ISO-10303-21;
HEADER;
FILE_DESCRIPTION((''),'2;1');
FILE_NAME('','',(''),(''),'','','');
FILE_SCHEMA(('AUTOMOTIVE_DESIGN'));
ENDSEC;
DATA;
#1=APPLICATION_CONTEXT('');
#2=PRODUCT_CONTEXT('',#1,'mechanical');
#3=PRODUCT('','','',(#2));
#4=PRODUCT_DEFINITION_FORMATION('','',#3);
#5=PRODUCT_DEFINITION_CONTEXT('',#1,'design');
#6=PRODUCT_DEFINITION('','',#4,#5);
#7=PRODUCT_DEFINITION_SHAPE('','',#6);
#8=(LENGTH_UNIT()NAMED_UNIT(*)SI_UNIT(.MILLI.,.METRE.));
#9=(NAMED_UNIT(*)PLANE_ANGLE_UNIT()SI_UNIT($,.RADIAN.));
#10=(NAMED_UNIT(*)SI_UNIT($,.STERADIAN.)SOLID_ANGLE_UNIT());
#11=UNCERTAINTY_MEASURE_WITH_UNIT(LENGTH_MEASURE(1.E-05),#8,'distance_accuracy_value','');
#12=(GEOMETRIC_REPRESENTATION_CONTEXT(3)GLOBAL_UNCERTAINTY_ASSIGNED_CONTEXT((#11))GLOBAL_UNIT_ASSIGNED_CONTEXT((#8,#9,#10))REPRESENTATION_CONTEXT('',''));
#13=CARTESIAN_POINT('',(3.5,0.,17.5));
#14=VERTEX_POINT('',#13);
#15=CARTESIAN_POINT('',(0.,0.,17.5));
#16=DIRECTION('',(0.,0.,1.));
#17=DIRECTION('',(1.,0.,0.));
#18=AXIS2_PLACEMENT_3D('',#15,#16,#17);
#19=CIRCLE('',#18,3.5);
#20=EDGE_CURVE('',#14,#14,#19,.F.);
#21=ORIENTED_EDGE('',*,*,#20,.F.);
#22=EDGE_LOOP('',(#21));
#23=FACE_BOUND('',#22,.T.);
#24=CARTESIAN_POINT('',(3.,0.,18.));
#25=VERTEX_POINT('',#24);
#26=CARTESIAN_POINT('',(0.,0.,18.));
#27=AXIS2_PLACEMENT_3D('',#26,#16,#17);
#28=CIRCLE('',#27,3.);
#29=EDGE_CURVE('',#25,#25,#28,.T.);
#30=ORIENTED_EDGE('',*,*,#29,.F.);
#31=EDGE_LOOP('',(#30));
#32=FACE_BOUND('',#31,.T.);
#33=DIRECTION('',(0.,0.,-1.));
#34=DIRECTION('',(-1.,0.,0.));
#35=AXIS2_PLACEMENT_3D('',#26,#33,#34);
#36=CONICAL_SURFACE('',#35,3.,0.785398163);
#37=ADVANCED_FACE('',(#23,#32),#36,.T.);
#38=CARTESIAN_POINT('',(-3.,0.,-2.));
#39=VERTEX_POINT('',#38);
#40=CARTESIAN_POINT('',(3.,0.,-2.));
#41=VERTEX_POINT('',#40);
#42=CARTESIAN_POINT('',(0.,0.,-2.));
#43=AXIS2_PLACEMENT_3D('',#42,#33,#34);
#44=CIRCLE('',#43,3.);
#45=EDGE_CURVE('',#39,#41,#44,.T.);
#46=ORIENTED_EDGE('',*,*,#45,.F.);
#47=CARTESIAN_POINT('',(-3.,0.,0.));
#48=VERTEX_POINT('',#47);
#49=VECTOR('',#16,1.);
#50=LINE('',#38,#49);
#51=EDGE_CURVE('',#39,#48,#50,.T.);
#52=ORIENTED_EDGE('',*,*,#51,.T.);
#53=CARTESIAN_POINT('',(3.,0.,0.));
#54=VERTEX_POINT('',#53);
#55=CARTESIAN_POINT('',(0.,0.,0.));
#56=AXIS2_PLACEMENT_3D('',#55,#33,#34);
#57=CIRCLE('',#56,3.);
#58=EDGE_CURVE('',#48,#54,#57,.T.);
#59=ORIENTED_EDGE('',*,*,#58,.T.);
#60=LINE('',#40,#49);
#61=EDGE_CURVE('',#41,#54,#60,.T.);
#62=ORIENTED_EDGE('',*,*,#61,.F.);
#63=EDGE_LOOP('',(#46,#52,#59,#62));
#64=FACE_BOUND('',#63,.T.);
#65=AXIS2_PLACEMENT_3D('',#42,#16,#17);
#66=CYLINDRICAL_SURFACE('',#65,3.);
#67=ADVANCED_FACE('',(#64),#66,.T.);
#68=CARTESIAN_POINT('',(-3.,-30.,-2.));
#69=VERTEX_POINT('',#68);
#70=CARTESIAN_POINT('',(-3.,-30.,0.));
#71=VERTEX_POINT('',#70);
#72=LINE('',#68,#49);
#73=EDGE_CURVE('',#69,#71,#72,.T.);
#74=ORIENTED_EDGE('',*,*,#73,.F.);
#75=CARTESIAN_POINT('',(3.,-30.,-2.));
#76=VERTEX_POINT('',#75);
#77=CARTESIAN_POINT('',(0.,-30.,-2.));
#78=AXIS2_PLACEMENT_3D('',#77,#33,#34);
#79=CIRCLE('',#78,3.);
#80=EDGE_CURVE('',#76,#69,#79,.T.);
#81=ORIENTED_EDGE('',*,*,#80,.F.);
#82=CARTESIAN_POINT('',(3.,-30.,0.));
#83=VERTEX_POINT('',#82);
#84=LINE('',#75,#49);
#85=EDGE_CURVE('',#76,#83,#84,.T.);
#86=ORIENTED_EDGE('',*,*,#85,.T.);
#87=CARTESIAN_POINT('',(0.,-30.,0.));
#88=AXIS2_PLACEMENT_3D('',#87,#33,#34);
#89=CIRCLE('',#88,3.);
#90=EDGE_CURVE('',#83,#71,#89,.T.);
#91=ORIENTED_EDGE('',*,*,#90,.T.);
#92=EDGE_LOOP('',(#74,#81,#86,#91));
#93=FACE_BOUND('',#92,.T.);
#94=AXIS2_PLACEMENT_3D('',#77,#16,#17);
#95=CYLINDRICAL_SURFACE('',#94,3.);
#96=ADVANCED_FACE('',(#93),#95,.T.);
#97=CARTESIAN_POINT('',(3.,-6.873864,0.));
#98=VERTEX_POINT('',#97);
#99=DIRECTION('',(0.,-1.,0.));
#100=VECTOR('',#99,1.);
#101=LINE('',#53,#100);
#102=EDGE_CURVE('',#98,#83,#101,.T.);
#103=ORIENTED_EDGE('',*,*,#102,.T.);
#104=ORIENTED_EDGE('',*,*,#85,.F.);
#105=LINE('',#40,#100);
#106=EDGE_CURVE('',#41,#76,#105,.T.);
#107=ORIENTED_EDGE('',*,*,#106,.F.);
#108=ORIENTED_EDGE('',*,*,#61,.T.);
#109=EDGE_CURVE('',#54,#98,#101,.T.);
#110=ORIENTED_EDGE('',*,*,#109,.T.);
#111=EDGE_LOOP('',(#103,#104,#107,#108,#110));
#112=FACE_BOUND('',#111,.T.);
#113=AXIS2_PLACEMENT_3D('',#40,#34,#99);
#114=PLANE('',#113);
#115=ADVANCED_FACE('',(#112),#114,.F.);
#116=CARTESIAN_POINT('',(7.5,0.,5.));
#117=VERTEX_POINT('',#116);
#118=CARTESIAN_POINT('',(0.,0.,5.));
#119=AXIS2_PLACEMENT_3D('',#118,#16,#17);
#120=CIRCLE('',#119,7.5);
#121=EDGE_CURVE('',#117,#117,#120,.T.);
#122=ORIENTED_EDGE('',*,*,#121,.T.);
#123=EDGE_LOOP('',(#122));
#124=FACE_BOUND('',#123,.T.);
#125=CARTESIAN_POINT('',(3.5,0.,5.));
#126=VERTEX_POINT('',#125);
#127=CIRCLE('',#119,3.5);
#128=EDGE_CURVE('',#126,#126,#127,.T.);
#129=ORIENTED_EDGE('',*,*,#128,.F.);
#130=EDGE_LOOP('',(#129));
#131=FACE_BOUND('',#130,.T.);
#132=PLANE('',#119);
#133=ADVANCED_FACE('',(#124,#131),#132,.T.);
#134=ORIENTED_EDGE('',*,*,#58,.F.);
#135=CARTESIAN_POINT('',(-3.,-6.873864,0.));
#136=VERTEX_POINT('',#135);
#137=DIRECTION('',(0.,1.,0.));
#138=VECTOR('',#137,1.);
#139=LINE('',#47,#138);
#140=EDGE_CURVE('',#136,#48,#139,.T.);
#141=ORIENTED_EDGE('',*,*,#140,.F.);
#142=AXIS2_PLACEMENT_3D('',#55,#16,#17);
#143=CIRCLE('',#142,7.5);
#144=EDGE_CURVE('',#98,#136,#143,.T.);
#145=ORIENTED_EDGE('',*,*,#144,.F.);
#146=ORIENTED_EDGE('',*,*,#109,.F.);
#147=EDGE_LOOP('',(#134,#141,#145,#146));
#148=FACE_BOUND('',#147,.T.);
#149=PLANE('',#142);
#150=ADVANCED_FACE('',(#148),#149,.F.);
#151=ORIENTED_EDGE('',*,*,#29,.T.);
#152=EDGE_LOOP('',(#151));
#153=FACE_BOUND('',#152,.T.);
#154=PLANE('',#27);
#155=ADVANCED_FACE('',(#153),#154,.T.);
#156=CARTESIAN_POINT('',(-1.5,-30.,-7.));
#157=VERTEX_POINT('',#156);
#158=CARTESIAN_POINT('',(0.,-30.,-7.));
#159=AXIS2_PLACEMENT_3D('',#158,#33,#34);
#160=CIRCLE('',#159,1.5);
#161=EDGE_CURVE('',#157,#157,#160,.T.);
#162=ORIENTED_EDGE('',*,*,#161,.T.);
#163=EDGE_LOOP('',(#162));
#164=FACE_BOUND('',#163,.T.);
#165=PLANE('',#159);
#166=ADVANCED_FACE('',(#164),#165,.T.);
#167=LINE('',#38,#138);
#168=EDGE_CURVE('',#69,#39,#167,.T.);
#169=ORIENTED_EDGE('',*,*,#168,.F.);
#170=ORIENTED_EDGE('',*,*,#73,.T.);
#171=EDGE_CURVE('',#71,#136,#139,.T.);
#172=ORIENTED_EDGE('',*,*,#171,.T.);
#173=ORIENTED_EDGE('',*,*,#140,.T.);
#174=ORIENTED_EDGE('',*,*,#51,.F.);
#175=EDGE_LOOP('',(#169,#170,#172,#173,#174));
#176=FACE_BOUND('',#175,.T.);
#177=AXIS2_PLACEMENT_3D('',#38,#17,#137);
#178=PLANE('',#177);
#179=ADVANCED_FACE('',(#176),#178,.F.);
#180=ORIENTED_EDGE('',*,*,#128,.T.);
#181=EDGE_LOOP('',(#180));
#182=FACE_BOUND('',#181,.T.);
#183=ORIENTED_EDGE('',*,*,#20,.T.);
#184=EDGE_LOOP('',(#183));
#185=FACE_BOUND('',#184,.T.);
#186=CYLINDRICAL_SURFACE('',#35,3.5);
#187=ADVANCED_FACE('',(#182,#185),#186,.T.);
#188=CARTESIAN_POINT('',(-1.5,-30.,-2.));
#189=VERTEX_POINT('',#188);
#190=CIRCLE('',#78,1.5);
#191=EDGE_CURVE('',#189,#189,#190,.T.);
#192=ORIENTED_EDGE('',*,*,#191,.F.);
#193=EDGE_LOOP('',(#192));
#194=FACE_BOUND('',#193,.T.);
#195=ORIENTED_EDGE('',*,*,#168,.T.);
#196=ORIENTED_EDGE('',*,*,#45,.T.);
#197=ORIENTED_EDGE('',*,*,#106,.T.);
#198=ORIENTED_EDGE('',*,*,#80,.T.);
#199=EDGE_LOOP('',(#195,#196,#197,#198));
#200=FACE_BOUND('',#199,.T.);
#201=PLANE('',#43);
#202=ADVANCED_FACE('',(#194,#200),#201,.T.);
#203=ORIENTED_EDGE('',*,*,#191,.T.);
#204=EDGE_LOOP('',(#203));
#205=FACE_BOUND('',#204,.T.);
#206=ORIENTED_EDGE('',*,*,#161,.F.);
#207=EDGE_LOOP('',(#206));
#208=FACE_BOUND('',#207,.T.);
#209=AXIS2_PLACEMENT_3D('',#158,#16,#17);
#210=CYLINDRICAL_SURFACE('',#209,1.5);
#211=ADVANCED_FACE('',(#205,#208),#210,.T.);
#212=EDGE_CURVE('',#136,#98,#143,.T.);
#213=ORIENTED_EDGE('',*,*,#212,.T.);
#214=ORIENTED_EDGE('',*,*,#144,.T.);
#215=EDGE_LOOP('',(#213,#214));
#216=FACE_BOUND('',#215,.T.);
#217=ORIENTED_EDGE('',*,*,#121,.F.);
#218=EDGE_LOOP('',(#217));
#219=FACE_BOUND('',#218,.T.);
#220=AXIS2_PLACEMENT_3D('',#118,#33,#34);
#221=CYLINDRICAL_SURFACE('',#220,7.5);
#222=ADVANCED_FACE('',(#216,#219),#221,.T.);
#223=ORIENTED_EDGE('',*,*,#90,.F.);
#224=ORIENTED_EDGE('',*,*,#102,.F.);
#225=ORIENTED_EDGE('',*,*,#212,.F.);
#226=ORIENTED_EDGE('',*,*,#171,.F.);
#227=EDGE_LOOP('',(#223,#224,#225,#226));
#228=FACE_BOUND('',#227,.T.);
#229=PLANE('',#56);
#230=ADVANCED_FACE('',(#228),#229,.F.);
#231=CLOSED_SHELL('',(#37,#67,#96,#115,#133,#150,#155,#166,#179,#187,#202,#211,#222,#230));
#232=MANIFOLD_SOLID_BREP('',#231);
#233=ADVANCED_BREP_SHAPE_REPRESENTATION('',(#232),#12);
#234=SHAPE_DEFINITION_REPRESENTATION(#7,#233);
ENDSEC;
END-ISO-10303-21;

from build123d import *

# Parameters (mm, degrees)
SKETCH1_R           = 7.5
BOSS_EXTRUDE1_DEPTH = 5
SKETCH2_R           = 3.5
BOSS_EXTRUDE2_DEPTH = 13
CHAMFER1_SIZE       = 0.5
BOSS_EXTRUDE3_DEPTH = 2
SKETCH4_R           = 1.5
BOSS_EXTRUDE4_DEPTH = 5


with BuildPart() as part:
    # Sketch1 → Boss-Extrude1 (new body)
    with BuildSketch(Plane.XY):
        Circle(SKETCH1_R)
    extrude(amount=BOSS_EXTRUDE1_DEPTH)

    # Sketch2 → Boss-Extrude2 (add)
    with BuildSketch(Plane.XY.offset(5)):
        Circle(SKETCH2_R)
    extrude(amount=BOSS_EXTRUDE2_DEPTH)

    # Chamfer1
    chamfer1_edges = [part.edges().sort_by_distance(p)[0] for p in [
        (-3.5, 0, 18),
    ]]
    chamfer(chamfer1_edges, length=CHAMFER1_SIZE)

    # Sketch3 → Boss-Extrude3 (add)
    with BuildSketch(Plane(origin=(0, 0, 0), x_dir=(-1, 0, 0), z_dir=(0, 0, -1))):
        with BuildLine():
            Line((3, 0), (3, -30))
            ThreePointArc((3, -30), (0, -33), (-3, -30))
            Line((-3, -30), (-3, 0))
            ThreePointArc((-3, 0), (0, 3), (3, 0))
        make_face()
    extrude(amount=BOSS_EXTRUDE3_DEPTH)

    # Sketch4 → Boss-Extrude4 (add)
    with BuildSketch(Plane(origin=(0, 0, -2), x_dir=(-1, 0, 0), z_dir=(0, 0, -1))):
        with Locations((0, -30)):
            Circle(SKETCH4_R)
    extrude(amount=BOSS_EXTRUDE4_DEPTH)


solid = part.part
